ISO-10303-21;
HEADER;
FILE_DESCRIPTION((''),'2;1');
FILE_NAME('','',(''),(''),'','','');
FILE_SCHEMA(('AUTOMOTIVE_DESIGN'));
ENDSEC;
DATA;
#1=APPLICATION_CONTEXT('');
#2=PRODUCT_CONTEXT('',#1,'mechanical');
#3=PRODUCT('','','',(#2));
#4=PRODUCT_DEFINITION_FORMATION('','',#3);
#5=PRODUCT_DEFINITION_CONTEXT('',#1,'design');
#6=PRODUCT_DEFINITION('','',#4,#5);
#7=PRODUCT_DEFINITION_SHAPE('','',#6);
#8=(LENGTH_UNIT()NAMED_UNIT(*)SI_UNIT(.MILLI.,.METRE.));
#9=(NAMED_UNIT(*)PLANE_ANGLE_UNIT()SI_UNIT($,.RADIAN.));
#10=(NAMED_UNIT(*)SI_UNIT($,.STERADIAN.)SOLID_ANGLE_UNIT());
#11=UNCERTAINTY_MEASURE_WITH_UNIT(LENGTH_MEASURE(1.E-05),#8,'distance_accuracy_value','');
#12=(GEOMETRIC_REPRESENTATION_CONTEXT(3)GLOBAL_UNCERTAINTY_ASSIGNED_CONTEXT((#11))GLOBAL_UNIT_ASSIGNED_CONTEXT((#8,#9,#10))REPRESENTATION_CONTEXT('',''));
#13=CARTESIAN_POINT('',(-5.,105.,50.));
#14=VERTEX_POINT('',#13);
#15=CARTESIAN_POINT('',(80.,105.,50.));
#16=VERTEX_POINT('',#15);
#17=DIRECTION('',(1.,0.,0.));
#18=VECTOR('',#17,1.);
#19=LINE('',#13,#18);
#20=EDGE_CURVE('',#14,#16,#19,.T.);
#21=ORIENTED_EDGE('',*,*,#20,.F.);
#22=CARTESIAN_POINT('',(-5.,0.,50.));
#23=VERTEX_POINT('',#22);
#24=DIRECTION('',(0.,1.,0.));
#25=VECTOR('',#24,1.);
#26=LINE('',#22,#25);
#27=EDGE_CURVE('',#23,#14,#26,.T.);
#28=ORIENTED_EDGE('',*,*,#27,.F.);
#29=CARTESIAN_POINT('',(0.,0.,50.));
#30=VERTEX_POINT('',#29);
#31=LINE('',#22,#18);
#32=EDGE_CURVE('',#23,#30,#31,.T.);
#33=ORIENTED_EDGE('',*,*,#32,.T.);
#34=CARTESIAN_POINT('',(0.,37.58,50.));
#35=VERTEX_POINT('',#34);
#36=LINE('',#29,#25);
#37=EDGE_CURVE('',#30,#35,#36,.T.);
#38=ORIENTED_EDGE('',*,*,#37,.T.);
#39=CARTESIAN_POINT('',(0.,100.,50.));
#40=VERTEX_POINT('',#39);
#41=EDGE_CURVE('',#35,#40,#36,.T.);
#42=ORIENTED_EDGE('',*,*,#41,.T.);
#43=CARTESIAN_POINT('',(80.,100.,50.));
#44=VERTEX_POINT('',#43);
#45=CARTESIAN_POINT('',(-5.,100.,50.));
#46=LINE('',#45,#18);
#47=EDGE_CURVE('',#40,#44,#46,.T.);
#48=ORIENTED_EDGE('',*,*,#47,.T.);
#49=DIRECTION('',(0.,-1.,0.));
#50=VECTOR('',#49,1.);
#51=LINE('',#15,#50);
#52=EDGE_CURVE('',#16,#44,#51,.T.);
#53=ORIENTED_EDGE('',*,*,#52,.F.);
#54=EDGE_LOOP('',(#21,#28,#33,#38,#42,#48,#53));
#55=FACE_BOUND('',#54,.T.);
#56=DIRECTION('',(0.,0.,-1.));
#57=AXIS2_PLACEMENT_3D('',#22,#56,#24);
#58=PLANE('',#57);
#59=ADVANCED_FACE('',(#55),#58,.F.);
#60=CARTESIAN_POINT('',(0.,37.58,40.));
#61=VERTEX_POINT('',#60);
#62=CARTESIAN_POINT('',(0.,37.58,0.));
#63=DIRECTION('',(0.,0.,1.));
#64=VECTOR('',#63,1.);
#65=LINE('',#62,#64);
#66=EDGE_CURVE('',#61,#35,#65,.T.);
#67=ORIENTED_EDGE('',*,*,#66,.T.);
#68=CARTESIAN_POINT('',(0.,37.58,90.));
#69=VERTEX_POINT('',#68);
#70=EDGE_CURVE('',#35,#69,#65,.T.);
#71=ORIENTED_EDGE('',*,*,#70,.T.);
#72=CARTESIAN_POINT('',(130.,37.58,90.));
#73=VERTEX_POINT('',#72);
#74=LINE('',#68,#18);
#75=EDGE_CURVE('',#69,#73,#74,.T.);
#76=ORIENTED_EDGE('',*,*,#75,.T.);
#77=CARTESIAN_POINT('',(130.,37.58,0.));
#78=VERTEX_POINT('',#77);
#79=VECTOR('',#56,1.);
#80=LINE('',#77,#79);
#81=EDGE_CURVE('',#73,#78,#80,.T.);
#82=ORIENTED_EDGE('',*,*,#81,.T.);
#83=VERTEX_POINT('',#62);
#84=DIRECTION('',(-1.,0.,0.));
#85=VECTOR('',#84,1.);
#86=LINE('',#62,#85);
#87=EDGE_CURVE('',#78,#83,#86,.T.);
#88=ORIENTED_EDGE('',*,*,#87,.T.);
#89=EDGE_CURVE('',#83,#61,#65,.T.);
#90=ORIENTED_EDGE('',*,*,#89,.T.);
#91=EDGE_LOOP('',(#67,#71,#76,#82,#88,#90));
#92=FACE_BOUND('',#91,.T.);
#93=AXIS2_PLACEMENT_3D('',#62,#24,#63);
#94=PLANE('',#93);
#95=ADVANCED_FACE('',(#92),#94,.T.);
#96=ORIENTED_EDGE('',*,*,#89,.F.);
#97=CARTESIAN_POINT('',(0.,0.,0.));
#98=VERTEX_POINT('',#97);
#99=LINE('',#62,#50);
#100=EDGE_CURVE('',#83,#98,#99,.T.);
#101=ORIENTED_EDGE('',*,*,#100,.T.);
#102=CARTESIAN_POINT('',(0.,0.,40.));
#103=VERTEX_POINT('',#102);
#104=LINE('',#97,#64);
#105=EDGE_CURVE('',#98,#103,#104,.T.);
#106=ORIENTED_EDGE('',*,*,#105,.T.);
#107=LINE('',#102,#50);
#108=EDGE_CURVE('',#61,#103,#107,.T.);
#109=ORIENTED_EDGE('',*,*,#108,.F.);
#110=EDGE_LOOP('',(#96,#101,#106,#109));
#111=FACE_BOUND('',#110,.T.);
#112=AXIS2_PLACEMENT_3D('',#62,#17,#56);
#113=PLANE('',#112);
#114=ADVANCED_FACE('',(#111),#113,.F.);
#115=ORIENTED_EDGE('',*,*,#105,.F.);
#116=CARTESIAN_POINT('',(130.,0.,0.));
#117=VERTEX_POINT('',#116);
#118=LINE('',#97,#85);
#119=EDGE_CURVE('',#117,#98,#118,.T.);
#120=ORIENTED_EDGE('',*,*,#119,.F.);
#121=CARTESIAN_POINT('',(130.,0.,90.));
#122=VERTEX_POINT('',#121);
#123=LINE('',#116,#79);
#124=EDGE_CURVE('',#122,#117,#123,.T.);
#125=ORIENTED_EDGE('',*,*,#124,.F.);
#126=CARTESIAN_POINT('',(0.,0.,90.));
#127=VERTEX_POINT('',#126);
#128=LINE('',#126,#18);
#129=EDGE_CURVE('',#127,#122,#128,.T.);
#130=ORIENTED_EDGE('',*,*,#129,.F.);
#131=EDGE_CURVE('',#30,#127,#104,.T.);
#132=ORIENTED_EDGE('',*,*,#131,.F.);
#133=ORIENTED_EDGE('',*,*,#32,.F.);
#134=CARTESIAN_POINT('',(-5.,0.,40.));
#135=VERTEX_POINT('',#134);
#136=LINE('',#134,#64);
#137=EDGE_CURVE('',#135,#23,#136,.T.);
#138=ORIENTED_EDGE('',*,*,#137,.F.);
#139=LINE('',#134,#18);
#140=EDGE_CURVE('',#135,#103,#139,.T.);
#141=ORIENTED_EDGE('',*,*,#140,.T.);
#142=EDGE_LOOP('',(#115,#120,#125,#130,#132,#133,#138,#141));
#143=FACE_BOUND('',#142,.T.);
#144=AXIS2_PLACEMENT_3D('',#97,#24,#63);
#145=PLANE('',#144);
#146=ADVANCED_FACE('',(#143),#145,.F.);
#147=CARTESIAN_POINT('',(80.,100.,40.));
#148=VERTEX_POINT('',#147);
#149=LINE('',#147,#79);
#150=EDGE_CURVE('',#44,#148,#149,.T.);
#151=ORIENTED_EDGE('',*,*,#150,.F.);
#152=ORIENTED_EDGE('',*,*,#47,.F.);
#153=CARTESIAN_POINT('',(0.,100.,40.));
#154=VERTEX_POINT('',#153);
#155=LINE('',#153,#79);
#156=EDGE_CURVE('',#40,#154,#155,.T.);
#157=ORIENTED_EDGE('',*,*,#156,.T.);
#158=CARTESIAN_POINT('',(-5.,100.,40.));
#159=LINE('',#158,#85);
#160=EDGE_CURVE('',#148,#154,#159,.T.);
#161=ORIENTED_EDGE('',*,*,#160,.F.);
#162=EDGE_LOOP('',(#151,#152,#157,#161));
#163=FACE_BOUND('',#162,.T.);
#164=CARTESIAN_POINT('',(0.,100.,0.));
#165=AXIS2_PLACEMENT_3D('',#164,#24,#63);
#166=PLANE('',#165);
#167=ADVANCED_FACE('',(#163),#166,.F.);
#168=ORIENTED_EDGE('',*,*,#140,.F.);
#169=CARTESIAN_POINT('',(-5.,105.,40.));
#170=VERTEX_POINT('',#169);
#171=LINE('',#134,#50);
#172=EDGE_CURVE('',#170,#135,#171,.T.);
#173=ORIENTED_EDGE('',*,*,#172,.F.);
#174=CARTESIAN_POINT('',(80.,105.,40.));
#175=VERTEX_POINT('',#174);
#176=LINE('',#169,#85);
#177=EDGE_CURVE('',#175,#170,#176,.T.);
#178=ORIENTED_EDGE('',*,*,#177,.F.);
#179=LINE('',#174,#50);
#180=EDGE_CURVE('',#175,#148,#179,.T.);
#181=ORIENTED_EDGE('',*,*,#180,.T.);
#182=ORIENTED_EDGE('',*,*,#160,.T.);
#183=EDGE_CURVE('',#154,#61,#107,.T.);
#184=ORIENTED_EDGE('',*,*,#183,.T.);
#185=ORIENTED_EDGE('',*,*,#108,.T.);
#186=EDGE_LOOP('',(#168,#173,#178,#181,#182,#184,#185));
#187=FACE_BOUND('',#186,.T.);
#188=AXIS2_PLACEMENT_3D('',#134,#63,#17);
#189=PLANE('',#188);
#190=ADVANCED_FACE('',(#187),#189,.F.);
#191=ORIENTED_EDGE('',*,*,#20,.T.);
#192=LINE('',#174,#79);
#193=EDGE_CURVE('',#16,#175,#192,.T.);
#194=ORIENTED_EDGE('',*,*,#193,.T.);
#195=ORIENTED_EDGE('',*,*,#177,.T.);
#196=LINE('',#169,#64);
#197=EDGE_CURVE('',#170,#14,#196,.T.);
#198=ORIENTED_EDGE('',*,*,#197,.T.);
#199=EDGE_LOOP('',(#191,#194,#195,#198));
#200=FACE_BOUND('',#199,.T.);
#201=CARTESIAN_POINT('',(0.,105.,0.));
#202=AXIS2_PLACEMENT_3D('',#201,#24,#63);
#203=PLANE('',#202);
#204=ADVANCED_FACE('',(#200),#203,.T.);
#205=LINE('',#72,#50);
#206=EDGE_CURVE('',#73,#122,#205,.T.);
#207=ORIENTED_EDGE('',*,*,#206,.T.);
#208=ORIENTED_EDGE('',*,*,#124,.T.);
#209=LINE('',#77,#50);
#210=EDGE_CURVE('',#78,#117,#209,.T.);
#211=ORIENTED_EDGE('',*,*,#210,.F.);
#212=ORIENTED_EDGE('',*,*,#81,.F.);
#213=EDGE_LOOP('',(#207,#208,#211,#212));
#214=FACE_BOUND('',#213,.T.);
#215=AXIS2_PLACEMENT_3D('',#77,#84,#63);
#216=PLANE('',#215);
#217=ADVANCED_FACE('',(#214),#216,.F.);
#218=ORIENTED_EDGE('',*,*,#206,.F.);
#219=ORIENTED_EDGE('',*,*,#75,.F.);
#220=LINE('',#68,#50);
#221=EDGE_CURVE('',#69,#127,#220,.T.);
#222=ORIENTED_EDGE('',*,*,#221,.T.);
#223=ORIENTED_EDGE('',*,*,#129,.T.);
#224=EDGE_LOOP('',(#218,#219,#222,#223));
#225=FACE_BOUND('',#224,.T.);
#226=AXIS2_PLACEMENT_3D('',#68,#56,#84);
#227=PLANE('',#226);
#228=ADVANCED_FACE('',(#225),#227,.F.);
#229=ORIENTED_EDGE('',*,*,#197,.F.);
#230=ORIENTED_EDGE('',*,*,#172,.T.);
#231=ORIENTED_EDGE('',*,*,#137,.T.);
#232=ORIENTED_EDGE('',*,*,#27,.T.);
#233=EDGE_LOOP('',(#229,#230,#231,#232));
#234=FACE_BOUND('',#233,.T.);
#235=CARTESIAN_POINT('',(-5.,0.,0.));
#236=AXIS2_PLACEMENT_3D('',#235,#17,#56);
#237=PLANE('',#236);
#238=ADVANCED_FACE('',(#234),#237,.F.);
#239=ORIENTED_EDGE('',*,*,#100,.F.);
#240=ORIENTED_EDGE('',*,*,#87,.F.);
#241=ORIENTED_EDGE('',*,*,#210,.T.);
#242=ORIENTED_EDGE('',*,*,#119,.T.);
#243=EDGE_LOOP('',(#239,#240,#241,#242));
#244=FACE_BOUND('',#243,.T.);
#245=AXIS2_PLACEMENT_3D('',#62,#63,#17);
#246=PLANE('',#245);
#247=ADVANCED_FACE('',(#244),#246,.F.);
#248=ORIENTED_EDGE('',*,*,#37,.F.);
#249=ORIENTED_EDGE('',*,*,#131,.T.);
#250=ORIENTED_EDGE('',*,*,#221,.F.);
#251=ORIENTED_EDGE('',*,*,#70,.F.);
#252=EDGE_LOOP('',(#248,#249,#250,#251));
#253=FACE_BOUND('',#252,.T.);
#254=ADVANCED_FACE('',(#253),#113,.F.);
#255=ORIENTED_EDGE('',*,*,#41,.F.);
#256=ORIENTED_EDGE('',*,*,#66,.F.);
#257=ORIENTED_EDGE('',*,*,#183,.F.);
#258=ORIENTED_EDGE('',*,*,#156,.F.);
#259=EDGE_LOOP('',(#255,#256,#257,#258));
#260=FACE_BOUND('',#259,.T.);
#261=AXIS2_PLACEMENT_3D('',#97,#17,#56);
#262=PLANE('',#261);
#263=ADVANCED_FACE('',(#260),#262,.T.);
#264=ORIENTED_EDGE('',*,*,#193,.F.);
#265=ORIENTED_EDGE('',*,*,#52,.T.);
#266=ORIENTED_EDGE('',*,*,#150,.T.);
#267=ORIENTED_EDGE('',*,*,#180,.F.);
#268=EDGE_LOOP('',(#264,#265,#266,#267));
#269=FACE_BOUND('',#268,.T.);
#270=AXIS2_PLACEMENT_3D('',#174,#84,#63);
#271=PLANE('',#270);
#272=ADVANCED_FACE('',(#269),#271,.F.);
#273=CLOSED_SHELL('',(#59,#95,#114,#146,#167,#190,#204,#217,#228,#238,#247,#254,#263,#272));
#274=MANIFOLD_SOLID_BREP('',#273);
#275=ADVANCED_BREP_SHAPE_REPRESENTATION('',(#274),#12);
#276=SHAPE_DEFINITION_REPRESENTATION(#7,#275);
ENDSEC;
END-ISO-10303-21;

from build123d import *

# Parameters (mm, degrees)
SKETCH1_W           = 130
SKETCH1_H           = 90
BOSS_EXTRUDE1_DEPTH = 37.58
SKETCH2_W           = 10
SKETCH2_H           = 100
BOSS_EXTRUDE2_DEPTH = 5
SKETCH3_W           = 85
SKETCH3_H           = 10
BOSS_EXTRUDE3_DEPTH = 5


with BuildPart() as part:
    # Sketch1 → Boss-Extrude1 (new body)
    with BuildSketch(Plane(origin=(0, 0, 0), x_dir=(1, 0, 0), z_dir=(0, 1, 0))):
        with Locations((65, -45)):
            Rectangle(SKETCH1_W, SKETCH1_H)
    extrude(amount=BOSS_EXTRUDE1_DEPTH)

    # Sketch2 → Boss-Extrude2 (add)
    with BuildSketch(Plane.ZY):
        with Locations((45, 50)):
            Rectangle(SKETCH2_W, SKETCH2_H)
    extrude(amount=BOSS_EXTRUDE2_DEPTH)

    # Sketch3 → Boss-Extrude3 (add)
    with BuildSketch(Plane(origin=(0, 100, 0), x_dir=(1, 0, 0), z_dir=(0, 1, 0))):
        with Locations((37.5, -45)):
            Rectangle(SKETCH3_W, SKETCH3_H)
    extrude(amount=BOSS_EXTRUDE3_DEPTH)


solid = part.part
